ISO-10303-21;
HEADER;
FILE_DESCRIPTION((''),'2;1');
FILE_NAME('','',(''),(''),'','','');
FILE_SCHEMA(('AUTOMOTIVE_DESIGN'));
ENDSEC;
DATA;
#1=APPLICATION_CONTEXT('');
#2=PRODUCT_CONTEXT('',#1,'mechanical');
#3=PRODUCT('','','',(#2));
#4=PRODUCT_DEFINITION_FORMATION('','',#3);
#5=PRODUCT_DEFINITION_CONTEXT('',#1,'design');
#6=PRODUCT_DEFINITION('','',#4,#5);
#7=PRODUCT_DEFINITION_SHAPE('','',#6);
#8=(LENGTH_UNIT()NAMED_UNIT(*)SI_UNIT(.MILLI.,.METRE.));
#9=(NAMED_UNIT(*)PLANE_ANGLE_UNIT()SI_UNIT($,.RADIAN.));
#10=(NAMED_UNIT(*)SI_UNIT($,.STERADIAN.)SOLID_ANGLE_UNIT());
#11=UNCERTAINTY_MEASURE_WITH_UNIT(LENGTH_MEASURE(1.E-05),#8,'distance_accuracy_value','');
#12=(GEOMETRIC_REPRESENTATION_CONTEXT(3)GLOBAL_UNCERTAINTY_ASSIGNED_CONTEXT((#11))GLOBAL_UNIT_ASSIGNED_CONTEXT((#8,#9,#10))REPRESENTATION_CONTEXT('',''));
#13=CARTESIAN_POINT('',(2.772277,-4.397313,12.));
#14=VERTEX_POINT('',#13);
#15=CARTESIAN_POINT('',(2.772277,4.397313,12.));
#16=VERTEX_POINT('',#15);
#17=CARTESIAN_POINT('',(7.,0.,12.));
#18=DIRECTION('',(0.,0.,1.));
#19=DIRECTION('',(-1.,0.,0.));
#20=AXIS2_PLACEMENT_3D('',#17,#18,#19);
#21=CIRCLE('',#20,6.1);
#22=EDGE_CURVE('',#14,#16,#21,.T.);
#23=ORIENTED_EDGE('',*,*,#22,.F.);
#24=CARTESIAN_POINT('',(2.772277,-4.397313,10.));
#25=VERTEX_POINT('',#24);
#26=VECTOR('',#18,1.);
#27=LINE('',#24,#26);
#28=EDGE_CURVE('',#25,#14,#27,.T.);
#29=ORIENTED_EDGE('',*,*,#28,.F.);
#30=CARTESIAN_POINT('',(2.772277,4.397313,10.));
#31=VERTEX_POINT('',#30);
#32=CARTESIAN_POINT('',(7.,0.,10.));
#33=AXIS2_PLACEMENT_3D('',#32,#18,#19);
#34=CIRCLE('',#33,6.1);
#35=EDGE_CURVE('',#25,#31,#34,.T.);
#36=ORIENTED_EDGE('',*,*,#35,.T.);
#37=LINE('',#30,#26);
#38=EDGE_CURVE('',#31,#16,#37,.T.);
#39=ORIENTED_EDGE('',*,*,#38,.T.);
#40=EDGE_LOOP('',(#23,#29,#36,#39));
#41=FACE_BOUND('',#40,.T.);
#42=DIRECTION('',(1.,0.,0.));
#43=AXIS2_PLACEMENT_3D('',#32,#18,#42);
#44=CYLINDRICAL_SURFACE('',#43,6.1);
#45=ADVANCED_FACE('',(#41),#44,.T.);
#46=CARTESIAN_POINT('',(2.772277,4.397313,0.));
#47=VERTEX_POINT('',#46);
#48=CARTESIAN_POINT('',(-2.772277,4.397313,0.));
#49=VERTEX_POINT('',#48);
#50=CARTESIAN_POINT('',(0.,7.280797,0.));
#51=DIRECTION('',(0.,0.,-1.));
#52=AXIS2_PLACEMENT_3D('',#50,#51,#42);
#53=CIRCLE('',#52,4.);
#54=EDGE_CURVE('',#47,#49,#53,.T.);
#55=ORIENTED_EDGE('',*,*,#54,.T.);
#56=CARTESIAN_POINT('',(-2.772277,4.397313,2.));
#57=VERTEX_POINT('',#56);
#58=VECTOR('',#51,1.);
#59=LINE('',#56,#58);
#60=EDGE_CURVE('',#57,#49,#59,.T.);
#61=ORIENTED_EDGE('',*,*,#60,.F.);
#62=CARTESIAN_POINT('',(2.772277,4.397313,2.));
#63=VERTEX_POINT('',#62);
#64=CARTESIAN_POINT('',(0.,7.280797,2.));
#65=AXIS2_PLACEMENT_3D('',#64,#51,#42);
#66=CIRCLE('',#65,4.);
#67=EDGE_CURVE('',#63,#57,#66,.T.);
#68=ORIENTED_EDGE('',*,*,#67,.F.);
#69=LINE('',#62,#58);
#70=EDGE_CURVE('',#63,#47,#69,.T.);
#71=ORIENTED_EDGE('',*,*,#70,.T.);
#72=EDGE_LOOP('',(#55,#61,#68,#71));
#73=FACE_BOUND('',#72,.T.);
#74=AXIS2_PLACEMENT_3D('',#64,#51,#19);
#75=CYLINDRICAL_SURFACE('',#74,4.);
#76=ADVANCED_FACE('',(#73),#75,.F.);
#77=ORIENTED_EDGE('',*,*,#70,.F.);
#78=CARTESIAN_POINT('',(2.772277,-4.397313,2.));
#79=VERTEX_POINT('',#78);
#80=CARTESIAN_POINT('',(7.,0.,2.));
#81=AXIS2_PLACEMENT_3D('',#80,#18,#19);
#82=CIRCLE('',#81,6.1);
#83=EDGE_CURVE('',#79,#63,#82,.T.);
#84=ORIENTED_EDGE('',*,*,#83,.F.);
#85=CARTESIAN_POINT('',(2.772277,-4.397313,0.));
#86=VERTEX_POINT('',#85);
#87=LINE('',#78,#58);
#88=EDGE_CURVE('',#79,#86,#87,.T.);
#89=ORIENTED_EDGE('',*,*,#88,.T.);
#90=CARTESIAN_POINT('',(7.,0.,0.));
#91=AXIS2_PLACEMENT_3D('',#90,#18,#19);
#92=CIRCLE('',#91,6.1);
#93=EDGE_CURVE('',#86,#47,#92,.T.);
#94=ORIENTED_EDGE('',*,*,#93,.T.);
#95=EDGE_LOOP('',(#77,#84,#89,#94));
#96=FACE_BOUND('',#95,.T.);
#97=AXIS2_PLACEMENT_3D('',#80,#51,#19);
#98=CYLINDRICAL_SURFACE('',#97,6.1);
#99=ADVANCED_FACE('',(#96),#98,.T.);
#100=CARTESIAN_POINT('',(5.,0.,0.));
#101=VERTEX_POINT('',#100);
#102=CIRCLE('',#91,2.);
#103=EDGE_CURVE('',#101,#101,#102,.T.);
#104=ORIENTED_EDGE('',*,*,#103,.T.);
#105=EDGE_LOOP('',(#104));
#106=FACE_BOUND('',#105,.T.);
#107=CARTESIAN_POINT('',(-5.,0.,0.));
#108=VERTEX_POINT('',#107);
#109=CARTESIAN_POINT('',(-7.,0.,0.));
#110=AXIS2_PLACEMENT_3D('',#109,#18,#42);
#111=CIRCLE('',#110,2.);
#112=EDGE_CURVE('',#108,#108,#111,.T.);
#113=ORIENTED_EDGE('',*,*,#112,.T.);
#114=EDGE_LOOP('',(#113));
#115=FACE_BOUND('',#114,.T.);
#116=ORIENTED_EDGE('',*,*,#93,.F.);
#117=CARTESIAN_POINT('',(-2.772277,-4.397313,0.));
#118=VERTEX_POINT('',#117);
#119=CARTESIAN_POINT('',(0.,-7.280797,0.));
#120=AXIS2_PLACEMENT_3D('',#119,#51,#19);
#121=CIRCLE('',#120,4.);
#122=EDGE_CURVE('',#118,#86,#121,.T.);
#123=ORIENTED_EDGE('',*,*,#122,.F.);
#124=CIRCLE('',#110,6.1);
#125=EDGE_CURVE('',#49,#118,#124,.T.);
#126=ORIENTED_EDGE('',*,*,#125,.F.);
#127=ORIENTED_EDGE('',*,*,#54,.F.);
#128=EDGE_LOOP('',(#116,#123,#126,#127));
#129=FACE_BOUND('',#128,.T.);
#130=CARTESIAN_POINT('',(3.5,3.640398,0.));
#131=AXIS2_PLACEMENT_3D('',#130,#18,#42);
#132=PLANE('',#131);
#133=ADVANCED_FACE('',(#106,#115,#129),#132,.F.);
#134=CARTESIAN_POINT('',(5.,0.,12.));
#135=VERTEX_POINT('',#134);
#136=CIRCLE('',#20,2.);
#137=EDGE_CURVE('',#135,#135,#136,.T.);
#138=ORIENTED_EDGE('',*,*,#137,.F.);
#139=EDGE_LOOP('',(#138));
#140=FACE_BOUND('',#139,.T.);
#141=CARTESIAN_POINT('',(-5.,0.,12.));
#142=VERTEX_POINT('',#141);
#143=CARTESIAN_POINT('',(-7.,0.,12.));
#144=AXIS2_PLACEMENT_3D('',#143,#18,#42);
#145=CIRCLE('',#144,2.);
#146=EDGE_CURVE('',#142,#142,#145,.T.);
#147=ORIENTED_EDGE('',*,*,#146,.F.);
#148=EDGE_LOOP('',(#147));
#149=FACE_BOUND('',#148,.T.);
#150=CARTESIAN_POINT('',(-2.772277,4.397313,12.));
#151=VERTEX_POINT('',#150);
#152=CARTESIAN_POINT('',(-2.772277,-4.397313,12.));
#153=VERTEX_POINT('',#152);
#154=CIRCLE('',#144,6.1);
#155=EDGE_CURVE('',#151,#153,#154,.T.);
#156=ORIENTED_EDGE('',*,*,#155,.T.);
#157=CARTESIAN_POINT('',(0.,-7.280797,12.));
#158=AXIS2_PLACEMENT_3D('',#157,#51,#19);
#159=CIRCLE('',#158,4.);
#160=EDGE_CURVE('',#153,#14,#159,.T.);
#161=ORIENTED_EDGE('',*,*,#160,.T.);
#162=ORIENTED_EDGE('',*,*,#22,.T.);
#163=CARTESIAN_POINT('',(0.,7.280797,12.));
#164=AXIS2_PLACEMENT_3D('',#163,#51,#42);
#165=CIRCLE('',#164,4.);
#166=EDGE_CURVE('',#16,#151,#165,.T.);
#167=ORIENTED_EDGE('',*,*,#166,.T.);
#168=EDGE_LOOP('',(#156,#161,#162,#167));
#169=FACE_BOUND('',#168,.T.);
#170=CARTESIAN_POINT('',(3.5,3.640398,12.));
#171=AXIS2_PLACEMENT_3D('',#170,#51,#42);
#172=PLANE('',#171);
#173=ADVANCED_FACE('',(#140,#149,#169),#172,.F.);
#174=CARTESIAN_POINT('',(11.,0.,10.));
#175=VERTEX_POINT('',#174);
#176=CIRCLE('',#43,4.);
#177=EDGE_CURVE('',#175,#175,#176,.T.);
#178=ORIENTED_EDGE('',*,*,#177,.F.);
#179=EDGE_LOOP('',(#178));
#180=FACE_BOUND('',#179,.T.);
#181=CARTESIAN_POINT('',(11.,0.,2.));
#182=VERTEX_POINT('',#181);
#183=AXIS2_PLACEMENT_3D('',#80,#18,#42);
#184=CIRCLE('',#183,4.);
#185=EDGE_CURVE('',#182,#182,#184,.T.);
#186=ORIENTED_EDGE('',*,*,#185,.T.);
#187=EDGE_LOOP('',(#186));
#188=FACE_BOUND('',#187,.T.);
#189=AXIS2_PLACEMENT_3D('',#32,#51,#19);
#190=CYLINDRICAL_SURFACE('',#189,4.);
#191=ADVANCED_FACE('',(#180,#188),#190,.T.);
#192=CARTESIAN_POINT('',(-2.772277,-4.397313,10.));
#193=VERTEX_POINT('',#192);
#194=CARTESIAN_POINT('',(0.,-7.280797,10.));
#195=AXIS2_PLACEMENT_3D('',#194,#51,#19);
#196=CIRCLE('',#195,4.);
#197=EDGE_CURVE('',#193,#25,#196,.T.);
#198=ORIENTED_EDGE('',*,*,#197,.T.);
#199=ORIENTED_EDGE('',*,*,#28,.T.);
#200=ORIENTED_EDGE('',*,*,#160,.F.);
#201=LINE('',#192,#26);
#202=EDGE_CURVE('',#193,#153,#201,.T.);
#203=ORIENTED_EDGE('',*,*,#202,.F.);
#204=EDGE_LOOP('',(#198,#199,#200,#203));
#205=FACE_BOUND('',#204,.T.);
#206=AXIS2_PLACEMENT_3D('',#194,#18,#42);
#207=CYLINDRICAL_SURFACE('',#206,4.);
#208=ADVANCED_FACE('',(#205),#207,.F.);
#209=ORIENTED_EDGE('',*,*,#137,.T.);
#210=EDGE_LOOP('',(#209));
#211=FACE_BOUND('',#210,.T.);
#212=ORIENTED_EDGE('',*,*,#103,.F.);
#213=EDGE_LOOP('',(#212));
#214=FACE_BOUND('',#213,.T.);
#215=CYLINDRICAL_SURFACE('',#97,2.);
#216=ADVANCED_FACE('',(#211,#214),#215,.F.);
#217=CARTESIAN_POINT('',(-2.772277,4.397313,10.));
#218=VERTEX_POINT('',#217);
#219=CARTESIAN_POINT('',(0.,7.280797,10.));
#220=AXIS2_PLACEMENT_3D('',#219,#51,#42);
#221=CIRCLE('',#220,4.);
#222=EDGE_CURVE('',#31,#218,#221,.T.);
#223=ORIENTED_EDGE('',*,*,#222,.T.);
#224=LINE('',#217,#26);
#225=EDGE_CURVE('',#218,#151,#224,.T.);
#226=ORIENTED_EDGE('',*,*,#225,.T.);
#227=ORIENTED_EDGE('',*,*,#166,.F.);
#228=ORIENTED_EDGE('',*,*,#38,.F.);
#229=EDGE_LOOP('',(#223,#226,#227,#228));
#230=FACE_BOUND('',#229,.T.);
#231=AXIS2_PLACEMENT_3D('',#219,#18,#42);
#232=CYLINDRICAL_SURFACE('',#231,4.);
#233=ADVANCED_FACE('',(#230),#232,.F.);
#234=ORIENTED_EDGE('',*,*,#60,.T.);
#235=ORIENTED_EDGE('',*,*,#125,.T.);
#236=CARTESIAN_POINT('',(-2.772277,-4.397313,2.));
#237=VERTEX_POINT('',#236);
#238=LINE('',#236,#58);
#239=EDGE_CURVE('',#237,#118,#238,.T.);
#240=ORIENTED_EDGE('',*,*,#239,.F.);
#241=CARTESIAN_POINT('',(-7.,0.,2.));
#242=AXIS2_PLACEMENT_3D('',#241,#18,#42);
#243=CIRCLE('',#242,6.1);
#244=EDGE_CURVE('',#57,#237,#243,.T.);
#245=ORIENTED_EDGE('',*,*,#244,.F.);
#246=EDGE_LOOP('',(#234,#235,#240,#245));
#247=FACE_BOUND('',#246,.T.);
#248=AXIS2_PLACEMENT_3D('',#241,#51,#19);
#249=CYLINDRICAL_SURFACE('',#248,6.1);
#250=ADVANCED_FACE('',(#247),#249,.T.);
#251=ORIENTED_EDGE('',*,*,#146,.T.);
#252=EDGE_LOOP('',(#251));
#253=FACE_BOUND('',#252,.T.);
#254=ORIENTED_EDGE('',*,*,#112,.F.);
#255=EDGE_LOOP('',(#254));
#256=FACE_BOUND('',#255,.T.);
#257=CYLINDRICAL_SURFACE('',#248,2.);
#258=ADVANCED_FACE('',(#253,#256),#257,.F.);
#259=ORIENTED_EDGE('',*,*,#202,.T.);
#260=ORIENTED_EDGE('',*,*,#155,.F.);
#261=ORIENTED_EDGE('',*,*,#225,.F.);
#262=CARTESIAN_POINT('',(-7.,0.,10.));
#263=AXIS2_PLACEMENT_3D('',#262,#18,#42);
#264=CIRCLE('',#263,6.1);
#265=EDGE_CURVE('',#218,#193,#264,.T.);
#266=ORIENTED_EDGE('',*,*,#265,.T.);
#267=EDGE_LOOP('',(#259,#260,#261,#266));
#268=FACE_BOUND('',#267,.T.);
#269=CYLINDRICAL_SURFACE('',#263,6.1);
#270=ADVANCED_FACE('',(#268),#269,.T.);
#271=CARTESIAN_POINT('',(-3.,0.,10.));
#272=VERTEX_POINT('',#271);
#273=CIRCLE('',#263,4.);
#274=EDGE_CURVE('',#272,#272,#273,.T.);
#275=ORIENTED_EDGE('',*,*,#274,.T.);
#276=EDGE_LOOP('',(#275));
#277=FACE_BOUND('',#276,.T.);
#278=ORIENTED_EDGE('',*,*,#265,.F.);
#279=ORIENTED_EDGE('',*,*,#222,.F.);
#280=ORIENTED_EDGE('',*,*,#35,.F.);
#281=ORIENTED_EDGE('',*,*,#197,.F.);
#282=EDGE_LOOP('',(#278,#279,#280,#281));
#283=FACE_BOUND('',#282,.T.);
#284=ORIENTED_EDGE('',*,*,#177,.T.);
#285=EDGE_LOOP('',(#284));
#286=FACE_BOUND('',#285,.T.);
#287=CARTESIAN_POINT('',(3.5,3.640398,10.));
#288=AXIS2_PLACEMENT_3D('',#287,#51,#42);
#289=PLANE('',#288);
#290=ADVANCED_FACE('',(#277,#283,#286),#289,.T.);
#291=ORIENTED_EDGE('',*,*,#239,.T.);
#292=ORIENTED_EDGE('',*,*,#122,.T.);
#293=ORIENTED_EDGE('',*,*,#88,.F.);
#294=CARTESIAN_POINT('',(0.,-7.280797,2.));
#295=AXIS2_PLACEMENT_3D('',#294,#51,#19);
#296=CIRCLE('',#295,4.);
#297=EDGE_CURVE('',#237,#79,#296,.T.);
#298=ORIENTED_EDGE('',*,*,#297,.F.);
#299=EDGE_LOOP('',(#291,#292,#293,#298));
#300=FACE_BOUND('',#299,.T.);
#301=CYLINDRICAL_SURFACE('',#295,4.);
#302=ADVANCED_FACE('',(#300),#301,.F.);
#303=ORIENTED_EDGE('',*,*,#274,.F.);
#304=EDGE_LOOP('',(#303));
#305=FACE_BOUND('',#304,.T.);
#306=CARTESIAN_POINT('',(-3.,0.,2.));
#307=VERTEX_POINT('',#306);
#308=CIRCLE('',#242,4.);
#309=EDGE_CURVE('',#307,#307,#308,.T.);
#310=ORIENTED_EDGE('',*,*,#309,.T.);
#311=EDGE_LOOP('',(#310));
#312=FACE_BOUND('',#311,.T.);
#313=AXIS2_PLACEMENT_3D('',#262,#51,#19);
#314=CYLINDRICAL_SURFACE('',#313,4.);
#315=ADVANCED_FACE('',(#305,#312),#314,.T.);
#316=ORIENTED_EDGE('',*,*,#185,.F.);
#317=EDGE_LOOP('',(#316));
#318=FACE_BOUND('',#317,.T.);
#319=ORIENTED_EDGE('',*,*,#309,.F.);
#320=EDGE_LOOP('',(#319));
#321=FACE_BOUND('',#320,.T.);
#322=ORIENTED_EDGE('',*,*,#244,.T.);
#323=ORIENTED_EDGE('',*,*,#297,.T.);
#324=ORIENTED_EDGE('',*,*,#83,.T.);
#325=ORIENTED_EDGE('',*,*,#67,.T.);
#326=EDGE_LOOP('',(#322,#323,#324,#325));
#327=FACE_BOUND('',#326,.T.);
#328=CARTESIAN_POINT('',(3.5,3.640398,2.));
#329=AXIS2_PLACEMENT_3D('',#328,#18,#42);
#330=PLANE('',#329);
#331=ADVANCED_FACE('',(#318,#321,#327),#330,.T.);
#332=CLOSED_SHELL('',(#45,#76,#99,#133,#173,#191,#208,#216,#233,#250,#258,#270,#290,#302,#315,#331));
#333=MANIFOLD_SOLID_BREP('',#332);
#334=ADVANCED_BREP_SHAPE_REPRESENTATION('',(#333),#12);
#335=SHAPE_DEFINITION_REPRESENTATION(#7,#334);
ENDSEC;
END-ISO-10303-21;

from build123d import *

# Parameters (mm, degrees)
CROQUIS1_R              = 2
SALIENTE_EXTRUIR1_DEPTH = 2
CROQUIS2_R              = 4
CROQUIS2_R_2            = 2
SALIENTE_EXTRUIR2_DEPTH = 8


with BuildPart() as part:
    # Croquis1 → Saliente-Extruir1 (new body)
    with BuildSketch(Plane.XY):
        with BuildLine():
            ThreePointArc((-2.772277228, 4.397312834), (-13.1, 0), (-2.772277228, -4.397312834))
            ThreePointArc((-2.772277228, -4.397312834), (0, -3.28079666), (2.772277228, -4.397312834))
            ThreePointArc((2.772277228, -4.397312834), (13.1, 0), (2.772277228, 4.397312834))
            ThreePointArc((2.772277228, 4.397312834), (0, 3.28079666), (-2.772277228, 4.397312834))
        make_face()
        with Locations((-7, 0)):
            Circle(CROQUIS1_R, mode=Mode.SUBTRACT)
        with Locations(Location((7, 0, 0), (0, 0, 180))):
            Circle(CROQUIS1_R, mode=Mode.SUBTRACT)
    saliente_extruir1 = extrude(amount=SALIENTE_EXTRUIR1_DEPTH)

    # Croquis2 → Saliente-Extruir2 (add)
    # profile 1 of 2: a face of its own
    with BuildSketch(Plane.XY.offset(2)):
        with Locations((-7, 0)):
            Circle(CROQUIS2_R)
        with Locations((-7, 0)):
            Circle(CROQUIS2_R_2, mode=Mode.SUBTRACT)
    # profile 2 of 2: a face of its own
    with BuildSketch(Plane.XY.offset(2)):
        with Locations((7, 0)):
            Circle(CROQUIS2_R)
        with Locations(Location((7, 0, 0), (0, 0, 180))):
            Circle(CROQUIS2_R_2, mode=Mode.SUBTRACT)
    extrude(amount=SALIENTE_EXTRUIR2_DEPTH)

    # Simetría1: Saliente-Extruir1 across plane
    add(saliente_extruir1.mirror(Plane.XY.offset(6)))


solid = part.part
